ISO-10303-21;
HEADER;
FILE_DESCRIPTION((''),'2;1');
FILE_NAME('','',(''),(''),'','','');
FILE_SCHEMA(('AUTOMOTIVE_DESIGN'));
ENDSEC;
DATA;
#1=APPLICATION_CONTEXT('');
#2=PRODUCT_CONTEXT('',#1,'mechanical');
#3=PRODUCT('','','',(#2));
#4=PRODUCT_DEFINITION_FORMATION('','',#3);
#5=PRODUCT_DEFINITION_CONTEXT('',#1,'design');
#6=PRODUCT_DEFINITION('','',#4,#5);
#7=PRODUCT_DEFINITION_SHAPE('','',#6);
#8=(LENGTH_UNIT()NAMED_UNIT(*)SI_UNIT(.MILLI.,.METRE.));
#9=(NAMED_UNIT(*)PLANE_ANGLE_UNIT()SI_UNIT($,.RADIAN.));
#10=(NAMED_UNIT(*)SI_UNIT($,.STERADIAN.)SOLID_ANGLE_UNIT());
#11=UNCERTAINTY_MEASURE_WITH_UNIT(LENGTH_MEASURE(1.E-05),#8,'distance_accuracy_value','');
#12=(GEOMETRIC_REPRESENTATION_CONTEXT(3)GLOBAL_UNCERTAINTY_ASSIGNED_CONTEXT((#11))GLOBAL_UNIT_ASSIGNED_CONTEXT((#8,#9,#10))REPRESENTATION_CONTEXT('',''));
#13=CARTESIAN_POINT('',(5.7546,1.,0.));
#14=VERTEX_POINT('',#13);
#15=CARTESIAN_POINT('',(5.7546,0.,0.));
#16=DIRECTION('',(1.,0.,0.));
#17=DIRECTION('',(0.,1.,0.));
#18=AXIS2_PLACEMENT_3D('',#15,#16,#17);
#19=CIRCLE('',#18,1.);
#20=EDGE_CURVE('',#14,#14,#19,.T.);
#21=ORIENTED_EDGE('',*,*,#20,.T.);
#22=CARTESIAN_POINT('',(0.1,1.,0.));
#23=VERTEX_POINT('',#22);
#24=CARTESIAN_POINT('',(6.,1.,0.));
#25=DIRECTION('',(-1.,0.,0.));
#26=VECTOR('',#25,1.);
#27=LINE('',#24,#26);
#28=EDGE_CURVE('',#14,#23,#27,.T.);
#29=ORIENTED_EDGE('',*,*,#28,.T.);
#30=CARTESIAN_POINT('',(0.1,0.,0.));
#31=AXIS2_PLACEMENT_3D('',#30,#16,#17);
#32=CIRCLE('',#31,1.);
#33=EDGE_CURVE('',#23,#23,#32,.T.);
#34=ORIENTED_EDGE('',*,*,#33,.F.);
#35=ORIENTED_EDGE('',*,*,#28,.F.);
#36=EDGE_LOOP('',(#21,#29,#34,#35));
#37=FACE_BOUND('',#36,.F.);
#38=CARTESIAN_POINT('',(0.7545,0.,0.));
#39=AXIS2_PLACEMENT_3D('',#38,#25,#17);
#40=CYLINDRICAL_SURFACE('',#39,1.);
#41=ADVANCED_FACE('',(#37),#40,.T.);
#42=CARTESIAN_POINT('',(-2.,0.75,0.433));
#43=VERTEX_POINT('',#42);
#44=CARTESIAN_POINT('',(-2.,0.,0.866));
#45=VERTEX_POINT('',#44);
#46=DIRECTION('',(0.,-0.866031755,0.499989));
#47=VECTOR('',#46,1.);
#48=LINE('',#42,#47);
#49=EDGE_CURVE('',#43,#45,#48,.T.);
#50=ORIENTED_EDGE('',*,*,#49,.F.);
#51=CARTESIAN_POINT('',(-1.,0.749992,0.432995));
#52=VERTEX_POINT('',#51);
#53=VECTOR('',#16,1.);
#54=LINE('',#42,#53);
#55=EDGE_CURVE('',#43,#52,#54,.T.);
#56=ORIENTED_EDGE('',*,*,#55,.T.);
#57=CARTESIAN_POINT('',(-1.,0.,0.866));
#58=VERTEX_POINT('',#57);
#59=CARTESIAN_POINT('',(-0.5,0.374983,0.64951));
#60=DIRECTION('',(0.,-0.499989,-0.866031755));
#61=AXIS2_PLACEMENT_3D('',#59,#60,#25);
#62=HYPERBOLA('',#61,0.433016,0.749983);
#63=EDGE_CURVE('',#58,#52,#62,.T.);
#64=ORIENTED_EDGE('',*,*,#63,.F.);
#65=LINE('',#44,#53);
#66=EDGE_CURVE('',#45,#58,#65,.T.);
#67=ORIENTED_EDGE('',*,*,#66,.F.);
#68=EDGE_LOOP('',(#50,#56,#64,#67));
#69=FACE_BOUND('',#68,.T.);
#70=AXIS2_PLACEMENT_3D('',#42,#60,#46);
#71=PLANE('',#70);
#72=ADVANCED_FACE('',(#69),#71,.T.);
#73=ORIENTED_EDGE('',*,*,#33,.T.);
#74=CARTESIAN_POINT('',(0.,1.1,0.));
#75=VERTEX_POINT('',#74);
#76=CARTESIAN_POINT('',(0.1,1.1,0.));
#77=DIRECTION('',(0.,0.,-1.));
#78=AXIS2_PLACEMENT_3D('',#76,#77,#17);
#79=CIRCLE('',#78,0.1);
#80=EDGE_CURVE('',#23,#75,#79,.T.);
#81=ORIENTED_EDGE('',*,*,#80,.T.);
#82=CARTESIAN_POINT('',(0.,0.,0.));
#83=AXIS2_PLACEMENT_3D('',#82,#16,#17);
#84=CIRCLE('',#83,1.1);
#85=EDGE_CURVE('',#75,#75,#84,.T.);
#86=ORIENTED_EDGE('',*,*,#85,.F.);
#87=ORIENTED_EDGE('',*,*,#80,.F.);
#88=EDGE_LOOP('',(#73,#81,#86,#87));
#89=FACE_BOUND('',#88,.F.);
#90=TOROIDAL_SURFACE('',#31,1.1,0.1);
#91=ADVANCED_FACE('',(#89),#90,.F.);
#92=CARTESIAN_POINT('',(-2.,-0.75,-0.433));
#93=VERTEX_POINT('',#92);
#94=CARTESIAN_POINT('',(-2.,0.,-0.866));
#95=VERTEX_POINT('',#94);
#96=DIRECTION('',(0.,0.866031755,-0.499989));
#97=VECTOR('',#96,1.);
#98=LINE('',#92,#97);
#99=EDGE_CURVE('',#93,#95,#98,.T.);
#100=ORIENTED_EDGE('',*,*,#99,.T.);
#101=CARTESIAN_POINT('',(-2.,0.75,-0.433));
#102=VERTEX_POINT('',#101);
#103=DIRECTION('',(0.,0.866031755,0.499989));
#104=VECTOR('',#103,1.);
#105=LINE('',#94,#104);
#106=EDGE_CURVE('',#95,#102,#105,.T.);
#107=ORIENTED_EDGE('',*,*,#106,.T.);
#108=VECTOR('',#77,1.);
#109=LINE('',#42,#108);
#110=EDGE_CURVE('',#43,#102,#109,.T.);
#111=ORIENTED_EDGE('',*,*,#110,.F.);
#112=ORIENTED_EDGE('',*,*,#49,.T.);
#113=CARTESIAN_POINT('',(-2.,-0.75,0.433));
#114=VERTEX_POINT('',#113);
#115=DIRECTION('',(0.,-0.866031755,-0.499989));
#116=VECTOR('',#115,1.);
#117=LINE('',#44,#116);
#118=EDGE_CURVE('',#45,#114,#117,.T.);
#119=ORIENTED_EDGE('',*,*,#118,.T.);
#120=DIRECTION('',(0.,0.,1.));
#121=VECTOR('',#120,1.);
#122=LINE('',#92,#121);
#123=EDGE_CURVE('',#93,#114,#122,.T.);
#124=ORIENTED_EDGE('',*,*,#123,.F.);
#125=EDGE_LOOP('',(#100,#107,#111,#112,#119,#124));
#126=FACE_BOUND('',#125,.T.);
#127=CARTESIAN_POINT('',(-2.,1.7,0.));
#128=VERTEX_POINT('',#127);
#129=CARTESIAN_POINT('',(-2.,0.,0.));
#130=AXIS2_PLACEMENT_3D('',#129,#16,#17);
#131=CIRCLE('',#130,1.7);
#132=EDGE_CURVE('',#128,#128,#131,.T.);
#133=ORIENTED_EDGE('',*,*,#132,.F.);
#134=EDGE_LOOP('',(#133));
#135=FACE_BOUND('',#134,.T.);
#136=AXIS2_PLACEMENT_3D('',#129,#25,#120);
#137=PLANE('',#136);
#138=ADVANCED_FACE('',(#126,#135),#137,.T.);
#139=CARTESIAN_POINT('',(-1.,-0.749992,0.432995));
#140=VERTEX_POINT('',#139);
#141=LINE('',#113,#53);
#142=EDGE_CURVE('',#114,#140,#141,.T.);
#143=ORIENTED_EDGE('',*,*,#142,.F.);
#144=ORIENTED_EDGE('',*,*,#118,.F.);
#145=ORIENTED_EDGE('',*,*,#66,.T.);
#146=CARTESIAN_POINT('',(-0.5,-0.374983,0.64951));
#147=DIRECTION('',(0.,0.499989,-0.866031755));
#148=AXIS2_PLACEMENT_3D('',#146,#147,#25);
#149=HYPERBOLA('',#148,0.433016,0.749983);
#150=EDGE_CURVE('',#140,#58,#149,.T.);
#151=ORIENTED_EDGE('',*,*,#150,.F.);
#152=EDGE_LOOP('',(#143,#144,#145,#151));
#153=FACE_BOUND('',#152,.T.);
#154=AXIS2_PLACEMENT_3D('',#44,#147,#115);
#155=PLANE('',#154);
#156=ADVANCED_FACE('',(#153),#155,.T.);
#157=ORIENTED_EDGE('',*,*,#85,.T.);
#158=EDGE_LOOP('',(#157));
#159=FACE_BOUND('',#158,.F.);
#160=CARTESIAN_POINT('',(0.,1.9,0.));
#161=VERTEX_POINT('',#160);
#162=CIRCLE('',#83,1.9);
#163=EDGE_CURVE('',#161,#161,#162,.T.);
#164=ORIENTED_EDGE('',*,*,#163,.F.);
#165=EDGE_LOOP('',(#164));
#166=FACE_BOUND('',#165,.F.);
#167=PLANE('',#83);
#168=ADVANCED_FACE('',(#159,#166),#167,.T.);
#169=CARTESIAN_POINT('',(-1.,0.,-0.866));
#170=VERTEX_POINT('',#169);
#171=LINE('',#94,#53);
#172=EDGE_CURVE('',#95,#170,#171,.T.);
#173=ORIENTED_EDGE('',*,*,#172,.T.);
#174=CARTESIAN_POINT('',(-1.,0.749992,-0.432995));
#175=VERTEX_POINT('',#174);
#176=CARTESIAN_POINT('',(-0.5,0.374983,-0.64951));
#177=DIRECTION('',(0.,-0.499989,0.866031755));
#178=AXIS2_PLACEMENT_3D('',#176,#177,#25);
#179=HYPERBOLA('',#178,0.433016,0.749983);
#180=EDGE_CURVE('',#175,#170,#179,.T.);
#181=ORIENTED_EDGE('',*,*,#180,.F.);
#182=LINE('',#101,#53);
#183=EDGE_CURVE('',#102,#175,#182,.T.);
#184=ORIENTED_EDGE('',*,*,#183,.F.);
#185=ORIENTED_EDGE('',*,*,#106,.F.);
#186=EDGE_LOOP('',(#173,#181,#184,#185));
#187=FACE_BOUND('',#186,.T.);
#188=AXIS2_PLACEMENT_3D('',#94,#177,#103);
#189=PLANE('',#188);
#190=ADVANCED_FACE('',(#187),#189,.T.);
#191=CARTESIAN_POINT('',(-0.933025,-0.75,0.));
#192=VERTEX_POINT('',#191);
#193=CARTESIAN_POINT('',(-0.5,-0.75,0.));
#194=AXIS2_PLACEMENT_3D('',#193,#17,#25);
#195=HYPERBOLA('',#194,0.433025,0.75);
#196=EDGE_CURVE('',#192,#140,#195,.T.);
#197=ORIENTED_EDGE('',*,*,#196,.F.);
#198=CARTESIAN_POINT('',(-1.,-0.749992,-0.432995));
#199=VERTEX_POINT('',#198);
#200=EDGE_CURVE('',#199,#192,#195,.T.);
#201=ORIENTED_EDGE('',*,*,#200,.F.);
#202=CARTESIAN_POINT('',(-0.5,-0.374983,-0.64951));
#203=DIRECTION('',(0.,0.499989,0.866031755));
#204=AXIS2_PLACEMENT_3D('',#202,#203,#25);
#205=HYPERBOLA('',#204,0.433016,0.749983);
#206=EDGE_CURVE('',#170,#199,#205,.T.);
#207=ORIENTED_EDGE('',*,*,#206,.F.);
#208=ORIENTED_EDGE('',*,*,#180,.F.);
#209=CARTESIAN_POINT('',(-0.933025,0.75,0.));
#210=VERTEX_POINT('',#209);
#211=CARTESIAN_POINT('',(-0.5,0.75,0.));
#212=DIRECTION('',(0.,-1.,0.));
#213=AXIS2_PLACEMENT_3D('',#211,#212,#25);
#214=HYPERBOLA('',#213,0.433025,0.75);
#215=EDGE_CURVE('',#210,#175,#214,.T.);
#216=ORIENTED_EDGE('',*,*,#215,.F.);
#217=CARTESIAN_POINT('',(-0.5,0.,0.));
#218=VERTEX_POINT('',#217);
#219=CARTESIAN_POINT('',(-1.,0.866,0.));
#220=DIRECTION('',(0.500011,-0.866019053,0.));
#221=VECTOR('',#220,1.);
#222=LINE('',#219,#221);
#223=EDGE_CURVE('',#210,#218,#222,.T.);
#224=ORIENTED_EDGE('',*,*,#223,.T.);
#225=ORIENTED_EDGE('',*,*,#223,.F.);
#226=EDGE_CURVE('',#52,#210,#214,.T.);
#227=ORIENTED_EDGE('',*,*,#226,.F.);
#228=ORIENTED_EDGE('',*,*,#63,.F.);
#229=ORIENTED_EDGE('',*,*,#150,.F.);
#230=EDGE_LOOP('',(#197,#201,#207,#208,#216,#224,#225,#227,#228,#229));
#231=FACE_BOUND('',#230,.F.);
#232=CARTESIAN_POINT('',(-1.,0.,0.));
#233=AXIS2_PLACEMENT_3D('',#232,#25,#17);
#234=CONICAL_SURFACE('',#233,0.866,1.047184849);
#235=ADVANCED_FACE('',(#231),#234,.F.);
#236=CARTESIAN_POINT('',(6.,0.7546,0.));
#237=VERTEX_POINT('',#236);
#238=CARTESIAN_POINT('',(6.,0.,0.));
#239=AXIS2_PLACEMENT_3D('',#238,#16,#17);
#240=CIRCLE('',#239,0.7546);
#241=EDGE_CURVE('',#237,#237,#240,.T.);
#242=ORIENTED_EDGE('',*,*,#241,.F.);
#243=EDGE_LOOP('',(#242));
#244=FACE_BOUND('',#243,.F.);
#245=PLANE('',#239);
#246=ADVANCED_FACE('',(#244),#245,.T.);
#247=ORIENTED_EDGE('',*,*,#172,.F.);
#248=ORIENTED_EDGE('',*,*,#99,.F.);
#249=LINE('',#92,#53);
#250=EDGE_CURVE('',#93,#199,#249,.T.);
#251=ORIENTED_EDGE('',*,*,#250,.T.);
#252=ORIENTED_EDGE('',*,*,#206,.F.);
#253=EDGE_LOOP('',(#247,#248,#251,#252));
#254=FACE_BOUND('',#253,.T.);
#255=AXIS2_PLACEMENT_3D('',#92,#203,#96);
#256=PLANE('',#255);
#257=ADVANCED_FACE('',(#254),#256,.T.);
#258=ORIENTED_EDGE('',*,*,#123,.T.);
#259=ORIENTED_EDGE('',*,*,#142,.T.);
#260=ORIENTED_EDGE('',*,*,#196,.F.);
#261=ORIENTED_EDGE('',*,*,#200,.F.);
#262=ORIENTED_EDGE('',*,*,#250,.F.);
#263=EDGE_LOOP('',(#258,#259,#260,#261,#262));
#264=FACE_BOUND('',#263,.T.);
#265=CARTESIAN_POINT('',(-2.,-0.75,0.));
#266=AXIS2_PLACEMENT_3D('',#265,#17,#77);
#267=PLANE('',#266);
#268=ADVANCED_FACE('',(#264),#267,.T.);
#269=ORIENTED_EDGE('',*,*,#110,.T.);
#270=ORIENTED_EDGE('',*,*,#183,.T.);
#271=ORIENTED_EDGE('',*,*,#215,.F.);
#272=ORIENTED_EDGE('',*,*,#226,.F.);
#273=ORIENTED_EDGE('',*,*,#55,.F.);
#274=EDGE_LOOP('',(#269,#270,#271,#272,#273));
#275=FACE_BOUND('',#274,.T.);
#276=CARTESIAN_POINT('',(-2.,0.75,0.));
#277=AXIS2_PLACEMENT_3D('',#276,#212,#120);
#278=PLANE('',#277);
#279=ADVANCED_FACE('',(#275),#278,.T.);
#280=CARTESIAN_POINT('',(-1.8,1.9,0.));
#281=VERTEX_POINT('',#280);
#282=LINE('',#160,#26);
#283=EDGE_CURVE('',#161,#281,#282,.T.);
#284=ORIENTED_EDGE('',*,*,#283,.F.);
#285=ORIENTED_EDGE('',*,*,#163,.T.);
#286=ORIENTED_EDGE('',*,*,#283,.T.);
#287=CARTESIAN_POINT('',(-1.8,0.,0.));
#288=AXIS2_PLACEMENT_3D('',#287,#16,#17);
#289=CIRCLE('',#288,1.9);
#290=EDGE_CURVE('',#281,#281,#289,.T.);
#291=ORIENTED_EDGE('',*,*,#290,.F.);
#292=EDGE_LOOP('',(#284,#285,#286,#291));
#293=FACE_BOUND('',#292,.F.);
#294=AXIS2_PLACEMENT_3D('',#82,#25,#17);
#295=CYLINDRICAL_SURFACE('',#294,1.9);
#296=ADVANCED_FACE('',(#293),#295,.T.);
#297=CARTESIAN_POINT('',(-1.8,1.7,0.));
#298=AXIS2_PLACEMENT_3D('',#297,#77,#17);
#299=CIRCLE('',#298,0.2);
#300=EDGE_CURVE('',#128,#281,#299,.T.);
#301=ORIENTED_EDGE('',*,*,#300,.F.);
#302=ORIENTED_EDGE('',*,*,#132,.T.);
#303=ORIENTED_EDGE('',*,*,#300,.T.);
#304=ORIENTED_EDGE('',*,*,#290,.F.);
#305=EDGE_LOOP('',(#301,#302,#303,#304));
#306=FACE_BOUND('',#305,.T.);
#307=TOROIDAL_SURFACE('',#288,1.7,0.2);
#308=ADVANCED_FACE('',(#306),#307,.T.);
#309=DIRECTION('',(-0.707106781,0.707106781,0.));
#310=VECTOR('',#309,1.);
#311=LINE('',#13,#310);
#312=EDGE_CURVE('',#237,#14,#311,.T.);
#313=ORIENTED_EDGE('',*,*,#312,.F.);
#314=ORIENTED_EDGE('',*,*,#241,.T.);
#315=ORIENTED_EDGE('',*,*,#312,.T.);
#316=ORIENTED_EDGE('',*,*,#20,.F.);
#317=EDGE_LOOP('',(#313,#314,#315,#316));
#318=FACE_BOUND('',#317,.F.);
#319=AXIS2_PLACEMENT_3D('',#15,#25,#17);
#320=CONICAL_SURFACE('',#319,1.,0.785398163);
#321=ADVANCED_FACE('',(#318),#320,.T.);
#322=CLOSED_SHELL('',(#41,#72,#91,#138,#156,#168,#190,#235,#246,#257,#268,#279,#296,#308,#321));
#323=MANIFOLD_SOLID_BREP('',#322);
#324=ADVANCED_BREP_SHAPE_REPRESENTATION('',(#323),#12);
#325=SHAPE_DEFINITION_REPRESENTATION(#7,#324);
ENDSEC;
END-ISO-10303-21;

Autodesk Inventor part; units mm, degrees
ref_plane "YZ Plane" through (0, 0, 0) normal (1, 0, 0) x (0, 1, 0)
ref_plane "XZ Plane" through (0, 0, 0) normal (0, 1, 0) x (-1, 0, 0)
sketch "Sketch1" plane through (0, 0, 0) normal (0, 0, 1) x (1, 0, 0)
  line L0 (-0.5, 0) -> (6, 0)
  line L1 (6, 0) -> (6, 1)
  line L2 (6, 1) -> (1, 1)
  line L3 (1, 1) -> (0.7545, 1)
  line L4 (0.7545, 1) -> (0, 1)
  line L5 (0, 1) -> (0, 1.9)
  line L6 (0, 1.9) -> (-2, 1.9)
  line L7 (-2, 1.9) -> (-2, 0.866)
  line L8 (-2, 0.866) -> (-1, 0.866)
  line L9 (-1, 0.866) -> (-0.5, 0)
  line L10 (-3.6, 0) -> (7.6, 0) projected
  line L11 (0, -0.38) -> (0, 2.28) projected
  line L12 (1, 1) -> (0, 1) construction
  dimension "d1" = 5
  dimension "d2" = 0.2455
  dimension "d3" = 2
  dimension "d4" = 1
  dimension "d5" = 60
  dimension "d6" = 2
  dimension "d7" = 2
  dimension "d8" = 1.7321
  dimension "d9" = 3.8
  dimension "d26" = 6
revolve "Body" add sketch "Sketch1" angle 360 about axis through (-0.5, 0, 0) along (1, 0, 0)
sketch "Sketch2" plane through (-2, 0, 0) normal (-1, 0, 0) x (0, 0, 1)
  circle A0 centre (0, 0) radius 0.866 projected
  line L0 (0, -2.66) -> (0, 2.66) projected
  line L1 (-2.66, 0) -> (2.66, 0) projected
  line L2 (0.866, 0) -> (0.433, -0.75)
  line L3 (0.433, -0.75) -> (-0.433, -0.75)
  line L4 (-0.433, -0.75) -> (-0.866, 0)
  line L5 (-0.866, 0) -> (-0.433, 0.75)
  line L6 (-0.433, 0.75) -> (0.433, 0.75)
  line L7 (0.433, 0.75) -> (0.866, 0)
  point P0 (0, 0)
extrude "Slot" add sketch "Sketch2" against normal up to next contours L7 A0 | A0 L2 | L6 L0 A0 | A0 L0 L3 | L0 L6 A0 | A0 L3 L0 | L4 A0 | A0 L5
fillet "Fillet1" radius 0.2 1 edges at (-2, -1.9, 0)
thread "Thread" size "M2x0.4" class "6g" standard "ISO Metric profile" length 5
chamfer "Chamfer1" distance 0.2454 distance2 0.2454 1 edges at (6, -1, 0) measured on face at (6, -0.4588, -0.3309)
ref_plane "Work Plane1" through (29, 0, 0) normal (0, -1, 0) x (1, 0, 0)
fillet "Fillet2" radius 0.1 1 edges at (0, -1, 0)
equation "\"d1\" = GEL"
equation "\"d3\" = KOH"
equation "\"d4\" = INTI"
equation "\"d6\" = GD"
equation "\"d7\" = BDM"
equation "\"d8\" = 1.1547 * SW"
equation "\"d9\" = KOD"
equation "\"d26\" = NLG"
equation "\"d30\" = R"
equation "\"d17\" = RR"
equation "\"d13\" = GEL"
equation "\"d15\" = -0.5 * SPD + 0.5 * GD"
equation "\"d16\" = GUL"
equation "\"GD\" = 2"
equation "\"NLG\" = 6"
equation "\"GEL\" = 5"
equation "\"KOD\" = 3.8"
equation "\"KOH\" = 2"
equation "\"INTI\" = 1"
equation "\"GAL\" = 0.61345 * PTC"
equation "\"GUL\" = 0.61345 * PTC"
equation "\"BDM\" = NND"
equation "\"SW\" = 1.5"
equation "\"RR\" = 0.2"
equation "\"SPD\" = NND - 1.2269 * PTC"
equation "\"R\" = 0.1"
equation "\"TOA\" = 30deg"
equation "\"GD1\" = THREADDIA - 1.2269 * PTC"
equation "\"THREADDIA\" = 2"
equation "\"FAWI\" = 45deg"
equation "\"PTC\" = 0.4"
equation "\"NND\" = 2"
equation "\"E0\" = 1.155 * SW"
properties part number "ISO 4762 - M2 x 6" material "Stainless Steel, 440C"
